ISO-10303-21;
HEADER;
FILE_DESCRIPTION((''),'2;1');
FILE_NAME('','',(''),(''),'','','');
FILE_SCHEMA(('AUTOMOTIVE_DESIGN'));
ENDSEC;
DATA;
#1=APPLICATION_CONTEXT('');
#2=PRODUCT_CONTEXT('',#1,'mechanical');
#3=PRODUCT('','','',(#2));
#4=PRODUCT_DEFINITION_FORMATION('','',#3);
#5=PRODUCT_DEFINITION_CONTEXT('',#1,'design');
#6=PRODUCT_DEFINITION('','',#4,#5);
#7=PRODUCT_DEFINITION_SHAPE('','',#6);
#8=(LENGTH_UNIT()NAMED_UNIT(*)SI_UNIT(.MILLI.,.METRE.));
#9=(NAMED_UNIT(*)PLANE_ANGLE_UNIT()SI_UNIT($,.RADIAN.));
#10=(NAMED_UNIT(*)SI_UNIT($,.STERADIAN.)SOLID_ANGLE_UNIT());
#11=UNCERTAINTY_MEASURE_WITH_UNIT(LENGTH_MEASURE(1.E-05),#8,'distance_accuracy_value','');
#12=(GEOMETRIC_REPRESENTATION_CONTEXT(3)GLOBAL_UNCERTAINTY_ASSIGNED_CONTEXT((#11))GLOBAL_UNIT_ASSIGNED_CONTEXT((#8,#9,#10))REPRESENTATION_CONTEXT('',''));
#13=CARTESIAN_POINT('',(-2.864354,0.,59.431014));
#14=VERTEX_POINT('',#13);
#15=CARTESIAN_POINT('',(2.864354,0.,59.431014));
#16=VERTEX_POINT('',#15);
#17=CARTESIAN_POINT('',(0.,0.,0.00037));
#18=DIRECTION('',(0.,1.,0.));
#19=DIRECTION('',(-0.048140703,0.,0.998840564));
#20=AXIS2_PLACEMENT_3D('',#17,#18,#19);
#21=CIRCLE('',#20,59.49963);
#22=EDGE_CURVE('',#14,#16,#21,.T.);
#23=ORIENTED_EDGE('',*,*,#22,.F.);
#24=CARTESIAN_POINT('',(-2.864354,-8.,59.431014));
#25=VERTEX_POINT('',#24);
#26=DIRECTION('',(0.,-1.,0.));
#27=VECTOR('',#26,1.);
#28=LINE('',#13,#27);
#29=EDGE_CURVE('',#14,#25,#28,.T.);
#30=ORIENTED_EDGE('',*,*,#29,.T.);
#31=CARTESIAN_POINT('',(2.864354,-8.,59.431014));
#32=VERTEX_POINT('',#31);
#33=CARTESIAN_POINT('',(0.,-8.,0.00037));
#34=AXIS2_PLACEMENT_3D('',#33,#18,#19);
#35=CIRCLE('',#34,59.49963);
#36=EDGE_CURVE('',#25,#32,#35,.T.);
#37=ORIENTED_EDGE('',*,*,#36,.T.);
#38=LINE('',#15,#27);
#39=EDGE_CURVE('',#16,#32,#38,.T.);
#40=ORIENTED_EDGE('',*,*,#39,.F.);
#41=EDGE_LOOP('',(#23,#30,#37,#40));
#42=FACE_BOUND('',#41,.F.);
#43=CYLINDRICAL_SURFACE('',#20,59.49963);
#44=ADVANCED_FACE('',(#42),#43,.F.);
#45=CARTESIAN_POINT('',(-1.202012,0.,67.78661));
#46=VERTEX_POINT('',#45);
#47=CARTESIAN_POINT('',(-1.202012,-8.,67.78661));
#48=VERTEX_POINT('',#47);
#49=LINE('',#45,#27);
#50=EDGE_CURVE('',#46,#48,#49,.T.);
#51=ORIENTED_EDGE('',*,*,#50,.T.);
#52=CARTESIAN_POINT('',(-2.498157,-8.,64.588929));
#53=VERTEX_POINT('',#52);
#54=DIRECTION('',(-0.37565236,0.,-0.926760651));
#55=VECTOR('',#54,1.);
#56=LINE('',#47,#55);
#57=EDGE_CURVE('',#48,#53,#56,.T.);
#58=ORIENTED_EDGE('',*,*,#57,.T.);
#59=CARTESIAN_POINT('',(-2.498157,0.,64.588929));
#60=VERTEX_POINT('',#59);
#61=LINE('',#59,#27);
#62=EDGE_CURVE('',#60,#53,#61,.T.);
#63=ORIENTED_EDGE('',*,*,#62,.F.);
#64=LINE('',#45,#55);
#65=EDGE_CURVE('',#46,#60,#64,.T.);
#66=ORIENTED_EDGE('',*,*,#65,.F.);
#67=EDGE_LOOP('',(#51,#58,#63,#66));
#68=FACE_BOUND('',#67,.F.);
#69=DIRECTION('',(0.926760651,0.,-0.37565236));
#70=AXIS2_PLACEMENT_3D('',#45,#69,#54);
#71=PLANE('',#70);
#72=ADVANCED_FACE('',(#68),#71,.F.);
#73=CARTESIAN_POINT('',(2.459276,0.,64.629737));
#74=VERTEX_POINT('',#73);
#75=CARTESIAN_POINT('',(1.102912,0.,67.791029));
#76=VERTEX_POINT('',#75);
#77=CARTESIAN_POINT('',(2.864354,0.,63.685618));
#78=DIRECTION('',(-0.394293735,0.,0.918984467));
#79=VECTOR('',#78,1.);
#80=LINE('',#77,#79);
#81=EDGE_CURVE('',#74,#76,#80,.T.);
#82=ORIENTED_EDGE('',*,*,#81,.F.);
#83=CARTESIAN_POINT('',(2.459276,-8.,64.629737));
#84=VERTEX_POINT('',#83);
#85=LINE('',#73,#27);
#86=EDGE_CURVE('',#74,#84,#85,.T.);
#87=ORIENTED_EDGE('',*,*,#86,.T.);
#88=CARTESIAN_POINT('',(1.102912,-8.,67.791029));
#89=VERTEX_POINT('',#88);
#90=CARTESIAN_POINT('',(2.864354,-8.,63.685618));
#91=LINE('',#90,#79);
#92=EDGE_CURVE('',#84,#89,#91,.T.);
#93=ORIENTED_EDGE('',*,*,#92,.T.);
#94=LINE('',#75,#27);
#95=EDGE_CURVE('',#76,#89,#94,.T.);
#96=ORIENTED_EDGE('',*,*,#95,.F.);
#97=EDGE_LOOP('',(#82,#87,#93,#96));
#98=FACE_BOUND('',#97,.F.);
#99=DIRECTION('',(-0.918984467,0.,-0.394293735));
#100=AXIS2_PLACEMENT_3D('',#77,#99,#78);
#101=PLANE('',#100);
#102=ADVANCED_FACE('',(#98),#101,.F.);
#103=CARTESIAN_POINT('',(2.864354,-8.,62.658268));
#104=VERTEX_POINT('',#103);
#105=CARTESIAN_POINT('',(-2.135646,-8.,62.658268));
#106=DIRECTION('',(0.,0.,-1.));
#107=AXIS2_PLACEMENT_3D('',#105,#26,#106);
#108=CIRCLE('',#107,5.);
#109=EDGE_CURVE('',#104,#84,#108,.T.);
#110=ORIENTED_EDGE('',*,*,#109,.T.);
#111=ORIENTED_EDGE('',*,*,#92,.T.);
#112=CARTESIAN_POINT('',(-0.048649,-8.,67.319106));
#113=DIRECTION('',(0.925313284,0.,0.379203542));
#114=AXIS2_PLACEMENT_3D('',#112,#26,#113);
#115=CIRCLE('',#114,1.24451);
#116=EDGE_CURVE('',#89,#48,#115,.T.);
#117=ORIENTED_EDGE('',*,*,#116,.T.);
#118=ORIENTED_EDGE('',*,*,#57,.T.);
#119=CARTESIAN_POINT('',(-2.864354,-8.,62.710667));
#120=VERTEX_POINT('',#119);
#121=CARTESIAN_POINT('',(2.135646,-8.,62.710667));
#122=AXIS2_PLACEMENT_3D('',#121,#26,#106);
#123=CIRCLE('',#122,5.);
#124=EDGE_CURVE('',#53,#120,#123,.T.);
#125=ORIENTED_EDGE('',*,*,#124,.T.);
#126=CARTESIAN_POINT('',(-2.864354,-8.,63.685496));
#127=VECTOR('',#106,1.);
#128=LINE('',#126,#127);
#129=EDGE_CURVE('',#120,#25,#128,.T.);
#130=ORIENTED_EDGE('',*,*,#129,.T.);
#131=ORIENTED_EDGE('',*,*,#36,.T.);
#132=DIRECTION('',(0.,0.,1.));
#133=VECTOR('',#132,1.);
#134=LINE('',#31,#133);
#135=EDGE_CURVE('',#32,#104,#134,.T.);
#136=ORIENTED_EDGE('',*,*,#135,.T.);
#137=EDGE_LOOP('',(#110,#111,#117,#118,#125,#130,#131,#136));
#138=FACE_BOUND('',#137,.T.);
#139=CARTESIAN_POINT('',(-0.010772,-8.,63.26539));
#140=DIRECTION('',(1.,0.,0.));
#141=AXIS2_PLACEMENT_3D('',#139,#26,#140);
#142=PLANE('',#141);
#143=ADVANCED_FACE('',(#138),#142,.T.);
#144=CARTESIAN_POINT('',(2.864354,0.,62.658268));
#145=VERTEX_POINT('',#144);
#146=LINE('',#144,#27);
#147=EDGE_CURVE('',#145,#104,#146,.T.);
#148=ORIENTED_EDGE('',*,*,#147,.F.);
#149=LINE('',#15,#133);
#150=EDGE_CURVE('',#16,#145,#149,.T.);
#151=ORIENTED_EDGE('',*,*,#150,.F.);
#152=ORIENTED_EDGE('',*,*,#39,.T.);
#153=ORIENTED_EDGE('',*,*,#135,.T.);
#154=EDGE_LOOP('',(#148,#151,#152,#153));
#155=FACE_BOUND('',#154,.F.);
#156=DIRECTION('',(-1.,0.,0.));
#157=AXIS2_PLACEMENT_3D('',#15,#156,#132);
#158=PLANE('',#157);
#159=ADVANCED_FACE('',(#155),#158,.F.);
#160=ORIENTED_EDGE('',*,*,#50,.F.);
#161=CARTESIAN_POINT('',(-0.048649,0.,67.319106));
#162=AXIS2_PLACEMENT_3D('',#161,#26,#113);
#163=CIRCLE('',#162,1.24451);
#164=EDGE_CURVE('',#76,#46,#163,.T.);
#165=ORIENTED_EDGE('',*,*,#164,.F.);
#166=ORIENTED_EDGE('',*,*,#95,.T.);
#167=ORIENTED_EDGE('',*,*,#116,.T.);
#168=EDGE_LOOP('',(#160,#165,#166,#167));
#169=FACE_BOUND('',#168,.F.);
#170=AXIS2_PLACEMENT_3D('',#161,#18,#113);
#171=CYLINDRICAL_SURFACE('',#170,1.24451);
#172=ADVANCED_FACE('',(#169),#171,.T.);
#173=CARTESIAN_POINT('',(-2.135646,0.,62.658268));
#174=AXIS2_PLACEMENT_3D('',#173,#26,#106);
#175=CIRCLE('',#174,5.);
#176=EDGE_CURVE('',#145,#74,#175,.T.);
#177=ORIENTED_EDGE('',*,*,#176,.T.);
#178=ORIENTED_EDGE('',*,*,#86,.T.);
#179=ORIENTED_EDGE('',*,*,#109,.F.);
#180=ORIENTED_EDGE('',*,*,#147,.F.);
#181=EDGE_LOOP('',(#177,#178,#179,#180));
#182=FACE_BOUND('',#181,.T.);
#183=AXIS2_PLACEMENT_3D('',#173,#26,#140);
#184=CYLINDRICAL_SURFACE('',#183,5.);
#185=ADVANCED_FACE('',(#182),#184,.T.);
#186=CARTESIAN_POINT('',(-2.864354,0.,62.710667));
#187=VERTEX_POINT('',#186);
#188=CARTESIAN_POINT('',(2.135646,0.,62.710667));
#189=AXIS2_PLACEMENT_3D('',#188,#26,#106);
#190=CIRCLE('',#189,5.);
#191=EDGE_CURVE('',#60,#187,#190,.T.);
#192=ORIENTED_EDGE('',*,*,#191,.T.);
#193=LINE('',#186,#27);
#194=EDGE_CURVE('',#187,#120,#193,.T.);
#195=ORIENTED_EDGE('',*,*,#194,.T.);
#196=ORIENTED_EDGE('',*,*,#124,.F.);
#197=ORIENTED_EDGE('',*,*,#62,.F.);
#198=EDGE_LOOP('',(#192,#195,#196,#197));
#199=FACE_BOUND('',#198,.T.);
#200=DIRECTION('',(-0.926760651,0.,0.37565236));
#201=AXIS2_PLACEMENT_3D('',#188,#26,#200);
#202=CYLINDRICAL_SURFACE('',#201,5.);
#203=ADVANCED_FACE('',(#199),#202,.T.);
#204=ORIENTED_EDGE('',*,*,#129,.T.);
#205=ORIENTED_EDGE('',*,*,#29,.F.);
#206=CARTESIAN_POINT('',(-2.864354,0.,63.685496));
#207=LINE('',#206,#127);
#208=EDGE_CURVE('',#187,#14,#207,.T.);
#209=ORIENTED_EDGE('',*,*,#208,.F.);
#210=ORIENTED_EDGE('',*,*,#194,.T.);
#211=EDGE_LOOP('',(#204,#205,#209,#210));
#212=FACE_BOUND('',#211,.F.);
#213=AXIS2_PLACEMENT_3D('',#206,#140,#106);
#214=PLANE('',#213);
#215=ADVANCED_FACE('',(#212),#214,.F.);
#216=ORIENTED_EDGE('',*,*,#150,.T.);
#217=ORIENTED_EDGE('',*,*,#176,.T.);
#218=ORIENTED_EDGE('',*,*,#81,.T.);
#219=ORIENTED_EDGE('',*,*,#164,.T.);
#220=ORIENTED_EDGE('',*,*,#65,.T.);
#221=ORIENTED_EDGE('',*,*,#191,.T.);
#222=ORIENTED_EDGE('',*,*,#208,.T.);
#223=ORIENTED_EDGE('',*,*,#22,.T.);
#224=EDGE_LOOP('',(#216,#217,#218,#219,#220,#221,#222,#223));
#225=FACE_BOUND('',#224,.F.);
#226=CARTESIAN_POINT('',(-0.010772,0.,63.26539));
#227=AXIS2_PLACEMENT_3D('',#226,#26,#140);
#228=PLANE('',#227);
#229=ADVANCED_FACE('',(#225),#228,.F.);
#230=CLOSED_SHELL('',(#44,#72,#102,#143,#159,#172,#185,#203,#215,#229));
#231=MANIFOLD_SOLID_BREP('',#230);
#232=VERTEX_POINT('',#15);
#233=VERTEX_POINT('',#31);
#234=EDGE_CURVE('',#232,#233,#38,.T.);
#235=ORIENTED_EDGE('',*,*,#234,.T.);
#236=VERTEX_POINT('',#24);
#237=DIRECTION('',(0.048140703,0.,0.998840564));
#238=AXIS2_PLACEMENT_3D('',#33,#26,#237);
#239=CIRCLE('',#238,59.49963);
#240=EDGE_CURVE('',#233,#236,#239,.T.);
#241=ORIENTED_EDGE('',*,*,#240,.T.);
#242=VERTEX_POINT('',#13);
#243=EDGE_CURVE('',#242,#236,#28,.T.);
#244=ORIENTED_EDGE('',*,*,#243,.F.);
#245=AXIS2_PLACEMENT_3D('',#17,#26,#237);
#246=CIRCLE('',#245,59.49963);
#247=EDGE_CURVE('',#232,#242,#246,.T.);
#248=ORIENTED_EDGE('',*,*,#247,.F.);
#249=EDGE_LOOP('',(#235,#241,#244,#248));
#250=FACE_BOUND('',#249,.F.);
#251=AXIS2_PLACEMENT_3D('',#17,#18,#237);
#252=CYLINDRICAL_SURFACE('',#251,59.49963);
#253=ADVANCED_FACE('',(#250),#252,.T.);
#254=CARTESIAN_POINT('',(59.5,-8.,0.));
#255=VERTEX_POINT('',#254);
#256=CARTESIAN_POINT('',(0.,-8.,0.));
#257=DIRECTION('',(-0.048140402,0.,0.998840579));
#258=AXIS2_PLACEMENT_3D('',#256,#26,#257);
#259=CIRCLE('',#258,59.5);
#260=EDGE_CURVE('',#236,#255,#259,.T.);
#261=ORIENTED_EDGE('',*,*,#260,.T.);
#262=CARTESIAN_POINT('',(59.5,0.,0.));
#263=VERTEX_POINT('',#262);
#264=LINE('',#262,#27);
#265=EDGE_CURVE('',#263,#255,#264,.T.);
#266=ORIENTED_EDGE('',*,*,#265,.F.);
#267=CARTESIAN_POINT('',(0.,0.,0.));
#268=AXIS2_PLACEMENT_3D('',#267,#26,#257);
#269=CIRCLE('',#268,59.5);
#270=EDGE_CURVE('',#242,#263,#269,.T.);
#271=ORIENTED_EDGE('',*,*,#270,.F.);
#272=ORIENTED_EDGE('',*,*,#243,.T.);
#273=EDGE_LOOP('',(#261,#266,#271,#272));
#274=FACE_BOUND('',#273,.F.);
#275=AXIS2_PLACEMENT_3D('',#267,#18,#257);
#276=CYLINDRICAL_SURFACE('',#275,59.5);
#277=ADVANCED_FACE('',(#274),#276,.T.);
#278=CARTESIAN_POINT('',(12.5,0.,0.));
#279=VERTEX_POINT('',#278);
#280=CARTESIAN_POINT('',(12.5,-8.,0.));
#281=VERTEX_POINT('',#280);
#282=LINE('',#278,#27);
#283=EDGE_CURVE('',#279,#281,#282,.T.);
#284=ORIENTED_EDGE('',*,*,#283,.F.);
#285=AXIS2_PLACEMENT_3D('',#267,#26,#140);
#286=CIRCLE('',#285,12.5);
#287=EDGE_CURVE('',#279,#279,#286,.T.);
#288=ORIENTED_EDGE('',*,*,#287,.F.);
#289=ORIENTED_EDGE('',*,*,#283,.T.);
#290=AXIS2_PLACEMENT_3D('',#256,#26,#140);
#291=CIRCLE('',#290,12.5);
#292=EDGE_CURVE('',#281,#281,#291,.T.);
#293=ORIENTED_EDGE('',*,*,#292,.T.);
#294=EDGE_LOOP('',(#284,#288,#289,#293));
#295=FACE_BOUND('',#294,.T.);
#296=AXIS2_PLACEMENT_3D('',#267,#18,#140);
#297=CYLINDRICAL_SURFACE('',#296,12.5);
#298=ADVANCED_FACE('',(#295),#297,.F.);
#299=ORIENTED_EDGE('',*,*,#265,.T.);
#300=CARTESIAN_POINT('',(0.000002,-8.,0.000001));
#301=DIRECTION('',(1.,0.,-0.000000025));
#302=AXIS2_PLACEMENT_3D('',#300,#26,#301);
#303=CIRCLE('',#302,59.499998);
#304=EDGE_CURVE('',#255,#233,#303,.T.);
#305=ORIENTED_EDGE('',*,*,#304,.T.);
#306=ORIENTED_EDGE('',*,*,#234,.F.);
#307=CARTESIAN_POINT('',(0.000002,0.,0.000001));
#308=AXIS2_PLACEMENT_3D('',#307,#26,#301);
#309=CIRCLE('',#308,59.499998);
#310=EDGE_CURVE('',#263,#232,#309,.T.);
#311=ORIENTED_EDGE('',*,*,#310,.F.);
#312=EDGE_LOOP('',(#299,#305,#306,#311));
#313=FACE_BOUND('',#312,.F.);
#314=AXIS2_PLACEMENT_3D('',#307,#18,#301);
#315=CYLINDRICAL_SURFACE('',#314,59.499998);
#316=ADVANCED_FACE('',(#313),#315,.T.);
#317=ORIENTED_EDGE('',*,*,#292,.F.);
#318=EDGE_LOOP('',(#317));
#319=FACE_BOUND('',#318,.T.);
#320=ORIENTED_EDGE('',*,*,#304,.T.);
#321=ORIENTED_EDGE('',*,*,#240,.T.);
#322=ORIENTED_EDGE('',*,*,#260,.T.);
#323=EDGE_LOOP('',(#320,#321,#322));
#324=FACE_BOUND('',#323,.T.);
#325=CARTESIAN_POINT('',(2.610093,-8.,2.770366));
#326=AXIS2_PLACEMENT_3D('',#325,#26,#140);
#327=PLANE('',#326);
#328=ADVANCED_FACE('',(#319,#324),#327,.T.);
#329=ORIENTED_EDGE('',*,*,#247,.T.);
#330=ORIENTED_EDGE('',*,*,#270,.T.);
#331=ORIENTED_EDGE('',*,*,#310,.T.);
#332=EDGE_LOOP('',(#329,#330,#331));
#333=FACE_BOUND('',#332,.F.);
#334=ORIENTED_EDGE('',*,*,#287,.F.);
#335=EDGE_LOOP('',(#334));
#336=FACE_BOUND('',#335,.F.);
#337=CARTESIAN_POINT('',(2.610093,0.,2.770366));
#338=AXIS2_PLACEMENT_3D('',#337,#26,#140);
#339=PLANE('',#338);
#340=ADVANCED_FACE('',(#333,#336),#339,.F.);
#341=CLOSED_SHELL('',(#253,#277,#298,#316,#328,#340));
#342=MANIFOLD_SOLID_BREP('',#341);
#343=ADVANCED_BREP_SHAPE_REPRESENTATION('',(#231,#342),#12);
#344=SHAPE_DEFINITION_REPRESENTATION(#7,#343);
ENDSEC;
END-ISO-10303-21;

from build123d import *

# Parameters (mm, degrees)
F0_R     = 12.5
F1_DEPTH = 8
F2_DEPTH = 8
F3_R     = 5


with BuildPart() as f1:
    # F0 (on Front) → F1 (new body)
    with BuildSketch(Plane.XZ):
        with BuildLine():
            ThreePointArc((-2.864354, 59.431014), (-41.047661, -43.073653), (59.5, 0))
            ThreePointArc((59.5, 0), (43.073653, 41.047661), (2.864354, 59.431014))
            ThreePointArc((2.864354, 59.431014), (0, 59.5), (-2.864354, 59.431014))
        make_face()
        Circle(F0_R, mode=Mode.SUBTRACT)
    extrude(amount=F1_DEPTH)


with BuildPart() as f2:
    # F0 (on Front) → F2 (new body, through all)
    with BuildSketch(Plane.XZ):
        with BuildLine():
            ThreePointArc((-2.864354, 59.431014), (0, 59.5), (2.864354, 59.431014))
            Line((2.864354, 59.431014), (2.864354, 63.685618))
            Line((2.864354, 63.685618), (1.102912, 67.791029))
            ThreePointArc((1.102912, 67.791029), (-0.051035, 68.563614), (-1.202012, 67.78661))
            Line((-1.202012, 67.78661), (-2.864354, 63.685496))
            Line((-2.864354, 63.685496), (-2.864354, 59.431014))
        make_face()
    extrude(amount=F2_DEPTH)

    # F3
    f3_edges = [f2.edges().sort_by_distance(p)[0] for p in [
        (2.864354, -4, 63.685618),
        (-2.864354, -4, 63.685496),
    ]]
    fillet(f3_edges, radius=F3_R)


solid = Compound([f1.part, f2.part])
